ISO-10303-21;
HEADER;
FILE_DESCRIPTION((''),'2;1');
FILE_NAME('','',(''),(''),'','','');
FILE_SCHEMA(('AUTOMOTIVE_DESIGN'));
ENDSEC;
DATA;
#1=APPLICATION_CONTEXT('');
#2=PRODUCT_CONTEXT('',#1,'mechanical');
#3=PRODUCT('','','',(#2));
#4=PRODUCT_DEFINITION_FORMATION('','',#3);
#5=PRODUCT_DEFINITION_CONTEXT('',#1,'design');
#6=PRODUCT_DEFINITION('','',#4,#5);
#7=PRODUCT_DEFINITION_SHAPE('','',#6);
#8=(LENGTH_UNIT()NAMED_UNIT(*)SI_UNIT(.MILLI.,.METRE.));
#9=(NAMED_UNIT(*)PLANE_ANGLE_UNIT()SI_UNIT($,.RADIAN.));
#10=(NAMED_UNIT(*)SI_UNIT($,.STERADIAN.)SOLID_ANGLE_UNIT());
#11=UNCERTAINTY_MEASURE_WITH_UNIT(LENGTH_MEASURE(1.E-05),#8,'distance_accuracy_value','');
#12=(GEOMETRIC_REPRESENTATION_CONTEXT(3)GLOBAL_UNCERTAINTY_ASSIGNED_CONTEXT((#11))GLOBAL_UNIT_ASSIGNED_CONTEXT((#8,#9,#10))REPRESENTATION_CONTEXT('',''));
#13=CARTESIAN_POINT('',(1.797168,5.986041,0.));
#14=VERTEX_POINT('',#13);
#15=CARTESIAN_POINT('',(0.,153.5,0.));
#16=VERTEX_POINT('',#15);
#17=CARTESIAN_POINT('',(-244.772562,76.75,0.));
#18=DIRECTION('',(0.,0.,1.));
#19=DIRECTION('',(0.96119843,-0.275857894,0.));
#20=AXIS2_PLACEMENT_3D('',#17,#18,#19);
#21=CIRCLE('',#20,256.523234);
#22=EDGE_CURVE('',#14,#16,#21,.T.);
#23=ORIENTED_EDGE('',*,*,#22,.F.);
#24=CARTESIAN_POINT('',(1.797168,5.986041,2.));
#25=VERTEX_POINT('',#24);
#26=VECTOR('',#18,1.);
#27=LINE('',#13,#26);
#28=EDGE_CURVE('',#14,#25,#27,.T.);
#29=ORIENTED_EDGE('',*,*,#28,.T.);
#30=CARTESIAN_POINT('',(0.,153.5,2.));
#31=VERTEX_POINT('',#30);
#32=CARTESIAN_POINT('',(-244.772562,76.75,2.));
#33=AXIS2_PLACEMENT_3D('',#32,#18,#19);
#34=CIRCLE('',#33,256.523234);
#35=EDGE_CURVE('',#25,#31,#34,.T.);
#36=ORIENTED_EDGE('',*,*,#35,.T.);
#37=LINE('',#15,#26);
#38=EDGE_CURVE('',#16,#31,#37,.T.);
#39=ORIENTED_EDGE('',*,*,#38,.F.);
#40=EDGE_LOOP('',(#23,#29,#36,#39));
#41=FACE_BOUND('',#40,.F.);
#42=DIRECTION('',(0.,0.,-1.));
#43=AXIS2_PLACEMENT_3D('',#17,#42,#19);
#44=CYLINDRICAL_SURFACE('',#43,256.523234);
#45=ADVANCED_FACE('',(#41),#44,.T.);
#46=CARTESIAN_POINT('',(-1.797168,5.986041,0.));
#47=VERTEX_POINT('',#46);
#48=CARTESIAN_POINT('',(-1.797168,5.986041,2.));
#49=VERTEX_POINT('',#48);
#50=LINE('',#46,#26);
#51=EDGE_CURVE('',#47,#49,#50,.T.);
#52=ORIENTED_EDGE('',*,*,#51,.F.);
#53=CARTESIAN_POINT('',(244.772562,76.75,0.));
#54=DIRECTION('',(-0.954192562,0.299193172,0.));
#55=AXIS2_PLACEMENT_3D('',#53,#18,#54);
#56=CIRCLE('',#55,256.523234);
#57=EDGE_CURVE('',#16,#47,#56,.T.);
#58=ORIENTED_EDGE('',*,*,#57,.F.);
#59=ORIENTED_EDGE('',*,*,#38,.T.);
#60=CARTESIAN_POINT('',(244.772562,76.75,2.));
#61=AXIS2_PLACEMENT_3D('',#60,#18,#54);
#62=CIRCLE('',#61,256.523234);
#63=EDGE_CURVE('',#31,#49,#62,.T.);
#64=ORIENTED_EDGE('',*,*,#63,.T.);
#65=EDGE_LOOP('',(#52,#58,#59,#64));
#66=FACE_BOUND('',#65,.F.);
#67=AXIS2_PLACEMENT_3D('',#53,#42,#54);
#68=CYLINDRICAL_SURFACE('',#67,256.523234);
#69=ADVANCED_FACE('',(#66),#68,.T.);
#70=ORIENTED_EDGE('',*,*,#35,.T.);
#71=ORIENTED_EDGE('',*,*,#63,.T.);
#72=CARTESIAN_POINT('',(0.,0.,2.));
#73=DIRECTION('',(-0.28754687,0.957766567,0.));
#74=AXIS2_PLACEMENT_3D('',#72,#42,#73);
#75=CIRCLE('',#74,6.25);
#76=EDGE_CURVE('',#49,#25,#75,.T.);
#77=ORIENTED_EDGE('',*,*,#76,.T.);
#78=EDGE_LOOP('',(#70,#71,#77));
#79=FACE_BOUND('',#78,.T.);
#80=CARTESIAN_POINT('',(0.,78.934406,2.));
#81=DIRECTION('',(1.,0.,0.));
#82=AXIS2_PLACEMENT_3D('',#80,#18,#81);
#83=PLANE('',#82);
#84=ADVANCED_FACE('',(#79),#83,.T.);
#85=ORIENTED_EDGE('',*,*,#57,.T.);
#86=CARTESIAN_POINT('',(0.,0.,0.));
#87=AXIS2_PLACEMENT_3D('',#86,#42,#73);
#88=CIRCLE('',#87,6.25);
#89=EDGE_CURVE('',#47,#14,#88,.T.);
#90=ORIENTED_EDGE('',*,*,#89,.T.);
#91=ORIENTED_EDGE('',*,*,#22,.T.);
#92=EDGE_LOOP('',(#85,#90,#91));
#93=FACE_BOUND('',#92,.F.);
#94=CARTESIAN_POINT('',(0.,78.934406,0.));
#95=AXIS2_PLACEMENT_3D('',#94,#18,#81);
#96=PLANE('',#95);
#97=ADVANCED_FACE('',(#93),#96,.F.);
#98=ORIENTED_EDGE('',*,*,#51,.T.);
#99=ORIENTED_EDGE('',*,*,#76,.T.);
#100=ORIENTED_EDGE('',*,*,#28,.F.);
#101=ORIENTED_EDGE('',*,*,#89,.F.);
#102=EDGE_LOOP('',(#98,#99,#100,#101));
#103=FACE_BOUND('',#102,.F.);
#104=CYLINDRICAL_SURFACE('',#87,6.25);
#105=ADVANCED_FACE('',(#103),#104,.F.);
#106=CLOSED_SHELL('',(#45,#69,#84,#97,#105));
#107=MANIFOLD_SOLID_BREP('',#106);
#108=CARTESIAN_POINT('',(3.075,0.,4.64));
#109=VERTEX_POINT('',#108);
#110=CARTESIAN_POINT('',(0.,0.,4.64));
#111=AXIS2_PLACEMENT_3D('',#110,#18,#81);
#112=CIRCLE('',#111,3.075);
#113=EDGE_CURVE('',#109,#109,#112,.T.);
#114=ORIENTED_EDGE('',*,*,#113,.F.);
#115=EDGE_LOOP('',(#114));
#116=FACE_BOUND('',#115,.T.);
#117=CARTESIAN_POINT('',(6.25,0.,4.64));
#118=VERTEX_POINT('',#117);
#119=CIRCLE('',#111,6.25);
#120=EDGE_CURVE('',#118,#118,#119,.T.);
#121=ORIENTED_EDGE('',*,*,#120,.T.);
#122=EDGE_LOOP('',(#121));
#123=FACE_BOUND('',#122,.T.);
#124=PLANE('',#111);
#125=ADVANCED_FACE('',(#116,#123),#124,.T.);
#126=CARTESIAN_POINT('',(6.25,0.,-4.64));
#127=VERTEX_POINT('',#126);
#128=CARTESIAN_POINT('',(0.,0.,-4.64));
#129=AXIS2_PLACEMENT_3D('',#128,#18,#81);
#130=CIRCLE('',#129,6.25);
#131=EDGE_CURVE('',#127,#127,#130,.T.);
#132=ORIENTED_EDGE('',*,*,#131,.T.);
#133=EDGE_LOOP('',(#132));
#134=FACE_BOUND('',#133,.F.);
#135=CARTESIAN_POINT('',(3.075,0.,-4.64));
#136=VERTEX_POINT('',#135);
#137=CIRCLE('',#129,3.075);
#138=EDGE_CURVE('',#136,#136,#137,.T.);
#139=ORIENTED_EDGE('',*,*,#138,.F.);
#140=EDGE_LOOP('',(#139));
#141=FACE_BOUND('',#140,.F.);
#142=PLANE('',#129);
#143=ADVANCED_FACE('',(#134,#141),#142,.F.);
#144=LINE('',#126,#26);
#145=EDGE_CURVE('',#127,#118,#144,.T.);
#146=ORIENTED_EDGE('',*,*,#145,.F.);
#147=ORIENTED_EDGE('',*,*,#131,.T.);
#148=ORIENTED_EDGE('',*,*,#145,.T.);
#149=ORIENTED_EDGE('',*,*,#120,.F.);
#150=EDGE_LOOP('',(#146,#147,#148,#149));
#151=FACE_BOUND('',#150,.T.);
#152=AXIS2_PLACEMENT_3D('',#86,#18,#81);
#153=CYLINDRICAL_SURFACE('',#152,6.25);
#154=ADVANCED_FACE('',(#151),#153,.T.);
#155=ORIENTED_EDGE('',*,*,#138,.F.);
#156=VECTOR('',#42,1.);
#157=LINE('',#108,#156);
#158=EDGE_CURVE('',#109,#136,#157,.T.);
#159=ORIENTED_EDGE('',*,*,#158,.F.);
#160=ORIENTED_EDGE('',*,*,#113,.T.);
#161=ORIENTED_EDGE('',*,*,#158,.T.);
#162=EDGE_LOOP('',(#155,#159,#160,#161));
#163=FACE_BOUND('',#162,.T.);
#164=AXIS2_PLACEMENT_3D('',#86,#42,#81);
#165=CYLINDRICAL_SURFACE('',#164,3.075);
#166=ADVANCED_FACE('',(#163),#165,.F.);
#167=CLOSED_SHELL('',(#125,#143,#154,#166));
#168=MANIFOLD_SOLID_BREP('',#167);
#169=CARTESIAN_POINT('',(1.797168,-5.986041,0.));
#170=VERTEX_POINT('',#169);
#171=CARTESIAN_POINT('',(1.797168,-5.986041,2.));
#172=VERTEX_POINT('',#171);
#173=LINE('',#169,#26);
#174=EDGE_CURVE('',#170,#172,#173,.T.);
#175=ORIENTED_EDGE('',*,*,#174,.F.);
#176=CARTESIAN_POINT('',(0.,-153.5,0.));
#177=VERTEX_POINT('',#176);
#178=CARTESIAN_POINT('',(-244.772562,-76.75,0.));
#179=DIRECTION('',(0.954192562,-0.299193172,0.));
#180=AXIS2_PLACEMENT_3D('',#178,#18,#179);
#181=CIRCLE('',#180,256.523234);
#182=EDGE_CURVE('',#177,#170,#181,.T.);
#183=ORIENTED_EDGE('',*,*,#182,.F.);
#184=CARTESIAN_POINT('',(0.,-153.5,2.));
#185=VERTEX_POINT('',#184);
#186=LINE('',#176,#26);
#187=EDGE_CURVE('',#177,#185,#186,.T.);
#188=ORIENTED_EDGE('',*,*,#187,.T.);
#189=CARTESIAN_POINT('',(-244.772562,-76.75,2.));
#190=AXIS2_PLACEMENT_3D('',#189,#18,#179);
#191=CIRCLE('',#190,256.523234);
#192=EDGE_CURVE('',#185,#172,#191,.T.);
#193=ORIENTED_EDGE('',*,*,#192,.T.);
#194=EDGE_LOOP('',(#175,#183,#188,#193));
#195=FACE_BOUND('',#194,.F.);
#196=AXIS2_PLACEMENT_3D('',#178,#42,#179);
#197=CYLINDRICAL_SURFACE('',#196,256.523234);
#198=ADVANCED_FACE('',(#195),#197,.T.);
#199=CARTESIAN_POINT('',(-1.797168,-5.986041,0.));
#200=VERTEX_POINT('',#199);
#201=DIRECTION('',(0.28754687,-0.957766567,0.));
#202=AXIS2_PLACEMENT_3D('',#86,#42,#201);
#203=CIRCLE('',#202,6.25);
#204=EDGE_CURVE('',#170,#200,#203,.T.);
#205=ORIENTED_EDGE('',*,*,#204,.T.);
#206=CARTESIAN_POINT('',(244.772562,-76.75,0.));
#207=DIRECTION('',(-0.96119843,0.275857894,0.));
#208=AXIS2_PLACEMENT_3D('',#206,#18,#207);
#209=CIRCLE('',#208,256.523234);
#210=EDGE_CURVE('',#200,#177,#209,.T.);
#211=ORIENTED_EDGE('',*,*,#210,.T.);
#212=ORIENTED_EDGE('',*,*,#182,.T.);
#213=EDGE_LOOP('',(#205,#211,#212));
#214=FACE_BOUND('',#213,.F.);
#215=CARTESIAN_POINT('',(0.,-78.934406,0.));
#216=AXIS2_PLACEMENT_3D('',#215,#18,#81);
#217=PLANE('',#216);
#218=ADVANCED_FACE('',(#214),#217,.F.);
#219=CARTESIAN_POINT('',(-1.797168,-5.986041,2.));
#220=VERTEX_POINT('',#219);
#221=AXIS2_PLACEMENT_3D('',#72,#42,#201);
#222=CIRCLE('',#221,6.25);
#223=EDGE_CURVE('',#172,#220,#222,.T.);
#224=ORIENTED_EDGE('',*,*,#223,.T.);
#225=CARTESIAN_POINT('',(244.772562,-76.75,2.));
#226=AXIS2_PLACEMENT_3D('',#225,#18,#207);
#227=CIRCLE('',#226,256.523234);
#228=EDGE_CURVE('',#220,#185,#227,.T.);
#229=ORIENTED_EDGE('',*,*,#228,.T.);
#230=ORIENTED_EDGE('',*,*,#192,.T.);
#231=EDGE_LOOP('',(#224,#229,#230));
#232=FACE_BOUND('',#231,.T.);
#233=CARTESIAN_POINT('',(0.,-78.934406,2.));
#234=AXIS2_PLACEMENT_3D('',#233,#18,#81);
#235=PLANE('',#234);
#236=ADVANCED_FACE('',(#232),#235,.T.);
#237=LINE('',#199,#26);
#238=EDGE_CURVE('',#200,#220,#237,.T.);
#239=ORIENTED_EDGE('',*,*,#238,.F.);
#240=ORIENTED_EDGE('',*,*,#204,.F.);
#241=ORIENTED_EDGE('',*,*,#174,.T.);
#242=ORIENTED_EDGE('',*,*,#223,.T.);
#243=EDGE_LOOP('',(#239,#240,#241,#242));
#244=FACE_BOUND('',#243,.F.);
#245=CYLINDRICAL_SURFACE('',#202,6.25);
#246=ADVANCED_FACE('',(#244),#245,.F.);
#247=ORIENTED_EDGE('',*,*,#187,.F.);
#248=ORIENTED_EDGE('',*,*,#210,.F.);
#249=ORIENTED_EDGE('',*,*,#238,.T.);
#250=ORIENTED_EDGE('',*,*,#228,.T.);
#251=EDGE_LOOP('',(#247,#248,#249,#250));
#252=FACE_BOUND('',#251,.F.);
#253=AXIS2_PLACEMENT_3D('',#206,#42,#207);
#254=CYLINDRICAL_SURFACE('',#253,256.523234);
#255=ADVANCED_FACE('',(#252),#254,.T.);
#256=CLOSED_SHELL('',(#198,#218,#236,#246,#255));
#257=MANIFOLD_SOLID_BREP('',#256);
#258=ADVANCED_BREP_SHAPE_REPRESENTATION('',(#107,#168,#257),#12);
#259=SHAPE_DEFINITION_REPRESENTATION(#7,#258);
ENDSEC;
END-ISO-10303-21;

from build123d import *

# Parameters (mm, degrees)
F1_DEPTH = 2
F2_R     = 6.25
F2_R_2   = 3.075
F3_DEPTH = 4.64


with BuildPart() as f1:
    # F0 (on Top) → F1 (new body)
    with BuildSketch(Plane.XY):
        with BuildLine():
            ThreePointArc((-1.7971679387, 5.9860410456), (0, 6.25), (1.7971679387, 5.9860410456))
            ThreePointArc((1.7971679387, 5.9860410456), (11.7316367743, 79.875), (0, 153.5))
            ThreePointArc((0, 153.5), (-11.7316367743, 79.875), (-1.7971679387, 5.9860410456))
        make_face()
    extrude(amount=F1_DEPTH)


with BuildPart() as f1b:
    # F0 (on Top) → F1, piece 2 (new body)
    with BuildSketch(Plane.XY):
        with BuildLine():
            ThreePointArc((0, -153.5), (11.7316367743, -79.875), (1.7971679387, -5.9860410456))
            ThreePointArc((1.7971679387, -5.9860410456), (0, -6.25), (-1.7971679387, -5.9860410456))
            ThreePointArc((-1.7971679387, -5.9860410456), (-11.7316367743, -79.875), (0, -153.5))
        make_face()
    extrude(amount=F1_DEPTH)


with BuildPart() as f3:
    # F2 (on Top) → F3 (new body, symmetric)
    with BuildSketch(Plane.XY):
        Circle(F2_R)
        Circle(F2_R_2, mode=Mode.SUBTRACT)
    extrude(amount=F3_DEPTH, both=True)


solid = Compound([f1.part, f1b.part, f3.part])
